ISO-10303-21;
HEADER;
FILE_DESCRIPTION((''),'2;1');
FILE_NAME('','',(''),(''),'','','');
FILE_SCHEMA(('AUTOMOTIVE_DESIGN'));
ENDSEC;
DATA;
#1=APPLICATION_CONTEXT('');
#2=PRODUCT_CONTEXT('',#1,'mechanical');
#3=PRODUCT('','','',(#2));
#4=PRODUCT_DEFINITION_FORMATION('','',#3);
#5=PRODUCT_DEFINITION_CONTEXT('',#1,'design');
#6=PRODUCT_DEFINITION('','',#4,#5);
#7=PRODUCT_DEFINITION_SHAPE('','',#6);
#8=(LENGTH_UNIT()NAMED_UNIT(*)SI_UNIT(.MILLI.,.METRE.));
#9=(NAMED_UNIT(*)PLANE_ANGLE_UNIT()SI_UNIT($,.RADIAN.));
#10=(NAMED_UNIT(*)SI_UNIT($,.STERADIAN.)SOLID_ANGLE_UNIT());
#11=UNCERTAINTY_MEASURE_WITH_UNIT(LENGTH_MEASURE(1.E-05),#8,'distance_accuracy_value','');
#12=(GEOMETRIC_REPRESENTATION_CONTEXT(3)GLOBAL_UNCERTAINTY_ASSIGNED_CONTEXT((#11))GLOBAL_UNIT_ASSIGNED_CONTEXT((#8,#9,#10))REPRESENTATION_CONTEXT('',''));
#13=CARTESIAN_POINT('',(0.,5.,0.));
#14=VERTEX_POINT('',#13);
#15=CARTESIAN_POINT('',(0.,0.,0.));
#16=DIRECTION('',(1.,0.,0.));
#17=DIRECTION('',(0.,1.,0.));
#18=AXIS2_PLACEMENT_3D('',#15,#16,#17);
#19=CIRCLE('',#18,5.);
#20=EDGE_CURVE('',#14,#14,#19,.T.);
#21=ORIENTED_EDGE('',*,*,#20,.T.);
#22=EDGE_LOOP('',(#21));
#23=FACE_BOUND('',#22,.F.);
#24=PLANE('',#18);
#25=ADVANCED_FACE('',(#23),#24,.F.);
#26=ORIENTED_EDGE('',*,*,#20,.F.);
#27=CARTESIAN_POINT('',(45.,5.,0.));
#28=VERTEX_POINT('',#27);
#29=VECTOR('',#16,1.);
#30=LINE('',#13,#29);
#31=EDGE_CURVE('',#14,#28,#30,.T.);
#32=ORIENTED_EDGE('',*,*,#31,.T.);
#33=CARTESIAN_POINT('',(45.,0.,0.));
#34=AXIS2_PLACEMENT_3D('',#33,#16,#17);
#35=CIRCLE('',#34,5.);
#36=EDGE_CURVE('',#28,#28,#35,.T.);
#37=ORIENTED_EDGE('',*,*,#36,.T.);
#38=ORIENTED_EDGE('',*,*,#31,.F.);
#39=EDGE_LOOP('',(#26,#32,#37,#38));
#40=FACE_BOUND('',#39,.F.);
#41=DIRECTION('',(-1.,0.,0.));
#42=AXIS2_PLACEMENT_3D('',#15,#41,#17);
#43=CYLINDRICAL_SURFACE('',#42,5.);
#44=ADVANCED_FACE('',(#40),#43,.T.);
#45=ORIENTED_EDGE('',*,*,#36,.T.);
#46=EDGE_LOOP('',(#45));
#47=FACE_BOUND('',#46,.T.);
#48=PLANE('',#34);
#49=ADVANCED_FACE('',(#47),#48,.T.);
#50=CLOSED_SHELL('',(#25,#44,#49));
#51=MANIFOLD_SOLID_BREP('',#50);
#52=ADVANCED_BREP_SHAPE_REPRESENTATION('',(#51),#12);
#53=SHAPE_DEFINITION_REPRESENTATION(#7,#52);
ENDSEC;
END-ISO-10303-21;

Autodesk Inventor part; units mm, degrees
ref_plane "YZ Plane" through (0, 0, 0) normal (1, 0, 0) x (0, 1, 0)
ref_plane "XZ Plane" through (0, 0, 0) normal (0, 1, 0) x (-1, 0, 0)
ref_plane "XY Plane" through (0, 0, 0) normal (0, 0, 1) x (1, 0, 0)
sketch "スケッチ1" plane through (0, 0, 0) normal (1, 0, 0) x (0, 1, 0)
  circle A0 centre (0, 0) radius 5
  dimension "d0" = 10
extrude "押し出し1" add sketch "スケッチ1" along normal blind 45
properties part number "shaft10_45mm" material "アルミニウム 6061"
